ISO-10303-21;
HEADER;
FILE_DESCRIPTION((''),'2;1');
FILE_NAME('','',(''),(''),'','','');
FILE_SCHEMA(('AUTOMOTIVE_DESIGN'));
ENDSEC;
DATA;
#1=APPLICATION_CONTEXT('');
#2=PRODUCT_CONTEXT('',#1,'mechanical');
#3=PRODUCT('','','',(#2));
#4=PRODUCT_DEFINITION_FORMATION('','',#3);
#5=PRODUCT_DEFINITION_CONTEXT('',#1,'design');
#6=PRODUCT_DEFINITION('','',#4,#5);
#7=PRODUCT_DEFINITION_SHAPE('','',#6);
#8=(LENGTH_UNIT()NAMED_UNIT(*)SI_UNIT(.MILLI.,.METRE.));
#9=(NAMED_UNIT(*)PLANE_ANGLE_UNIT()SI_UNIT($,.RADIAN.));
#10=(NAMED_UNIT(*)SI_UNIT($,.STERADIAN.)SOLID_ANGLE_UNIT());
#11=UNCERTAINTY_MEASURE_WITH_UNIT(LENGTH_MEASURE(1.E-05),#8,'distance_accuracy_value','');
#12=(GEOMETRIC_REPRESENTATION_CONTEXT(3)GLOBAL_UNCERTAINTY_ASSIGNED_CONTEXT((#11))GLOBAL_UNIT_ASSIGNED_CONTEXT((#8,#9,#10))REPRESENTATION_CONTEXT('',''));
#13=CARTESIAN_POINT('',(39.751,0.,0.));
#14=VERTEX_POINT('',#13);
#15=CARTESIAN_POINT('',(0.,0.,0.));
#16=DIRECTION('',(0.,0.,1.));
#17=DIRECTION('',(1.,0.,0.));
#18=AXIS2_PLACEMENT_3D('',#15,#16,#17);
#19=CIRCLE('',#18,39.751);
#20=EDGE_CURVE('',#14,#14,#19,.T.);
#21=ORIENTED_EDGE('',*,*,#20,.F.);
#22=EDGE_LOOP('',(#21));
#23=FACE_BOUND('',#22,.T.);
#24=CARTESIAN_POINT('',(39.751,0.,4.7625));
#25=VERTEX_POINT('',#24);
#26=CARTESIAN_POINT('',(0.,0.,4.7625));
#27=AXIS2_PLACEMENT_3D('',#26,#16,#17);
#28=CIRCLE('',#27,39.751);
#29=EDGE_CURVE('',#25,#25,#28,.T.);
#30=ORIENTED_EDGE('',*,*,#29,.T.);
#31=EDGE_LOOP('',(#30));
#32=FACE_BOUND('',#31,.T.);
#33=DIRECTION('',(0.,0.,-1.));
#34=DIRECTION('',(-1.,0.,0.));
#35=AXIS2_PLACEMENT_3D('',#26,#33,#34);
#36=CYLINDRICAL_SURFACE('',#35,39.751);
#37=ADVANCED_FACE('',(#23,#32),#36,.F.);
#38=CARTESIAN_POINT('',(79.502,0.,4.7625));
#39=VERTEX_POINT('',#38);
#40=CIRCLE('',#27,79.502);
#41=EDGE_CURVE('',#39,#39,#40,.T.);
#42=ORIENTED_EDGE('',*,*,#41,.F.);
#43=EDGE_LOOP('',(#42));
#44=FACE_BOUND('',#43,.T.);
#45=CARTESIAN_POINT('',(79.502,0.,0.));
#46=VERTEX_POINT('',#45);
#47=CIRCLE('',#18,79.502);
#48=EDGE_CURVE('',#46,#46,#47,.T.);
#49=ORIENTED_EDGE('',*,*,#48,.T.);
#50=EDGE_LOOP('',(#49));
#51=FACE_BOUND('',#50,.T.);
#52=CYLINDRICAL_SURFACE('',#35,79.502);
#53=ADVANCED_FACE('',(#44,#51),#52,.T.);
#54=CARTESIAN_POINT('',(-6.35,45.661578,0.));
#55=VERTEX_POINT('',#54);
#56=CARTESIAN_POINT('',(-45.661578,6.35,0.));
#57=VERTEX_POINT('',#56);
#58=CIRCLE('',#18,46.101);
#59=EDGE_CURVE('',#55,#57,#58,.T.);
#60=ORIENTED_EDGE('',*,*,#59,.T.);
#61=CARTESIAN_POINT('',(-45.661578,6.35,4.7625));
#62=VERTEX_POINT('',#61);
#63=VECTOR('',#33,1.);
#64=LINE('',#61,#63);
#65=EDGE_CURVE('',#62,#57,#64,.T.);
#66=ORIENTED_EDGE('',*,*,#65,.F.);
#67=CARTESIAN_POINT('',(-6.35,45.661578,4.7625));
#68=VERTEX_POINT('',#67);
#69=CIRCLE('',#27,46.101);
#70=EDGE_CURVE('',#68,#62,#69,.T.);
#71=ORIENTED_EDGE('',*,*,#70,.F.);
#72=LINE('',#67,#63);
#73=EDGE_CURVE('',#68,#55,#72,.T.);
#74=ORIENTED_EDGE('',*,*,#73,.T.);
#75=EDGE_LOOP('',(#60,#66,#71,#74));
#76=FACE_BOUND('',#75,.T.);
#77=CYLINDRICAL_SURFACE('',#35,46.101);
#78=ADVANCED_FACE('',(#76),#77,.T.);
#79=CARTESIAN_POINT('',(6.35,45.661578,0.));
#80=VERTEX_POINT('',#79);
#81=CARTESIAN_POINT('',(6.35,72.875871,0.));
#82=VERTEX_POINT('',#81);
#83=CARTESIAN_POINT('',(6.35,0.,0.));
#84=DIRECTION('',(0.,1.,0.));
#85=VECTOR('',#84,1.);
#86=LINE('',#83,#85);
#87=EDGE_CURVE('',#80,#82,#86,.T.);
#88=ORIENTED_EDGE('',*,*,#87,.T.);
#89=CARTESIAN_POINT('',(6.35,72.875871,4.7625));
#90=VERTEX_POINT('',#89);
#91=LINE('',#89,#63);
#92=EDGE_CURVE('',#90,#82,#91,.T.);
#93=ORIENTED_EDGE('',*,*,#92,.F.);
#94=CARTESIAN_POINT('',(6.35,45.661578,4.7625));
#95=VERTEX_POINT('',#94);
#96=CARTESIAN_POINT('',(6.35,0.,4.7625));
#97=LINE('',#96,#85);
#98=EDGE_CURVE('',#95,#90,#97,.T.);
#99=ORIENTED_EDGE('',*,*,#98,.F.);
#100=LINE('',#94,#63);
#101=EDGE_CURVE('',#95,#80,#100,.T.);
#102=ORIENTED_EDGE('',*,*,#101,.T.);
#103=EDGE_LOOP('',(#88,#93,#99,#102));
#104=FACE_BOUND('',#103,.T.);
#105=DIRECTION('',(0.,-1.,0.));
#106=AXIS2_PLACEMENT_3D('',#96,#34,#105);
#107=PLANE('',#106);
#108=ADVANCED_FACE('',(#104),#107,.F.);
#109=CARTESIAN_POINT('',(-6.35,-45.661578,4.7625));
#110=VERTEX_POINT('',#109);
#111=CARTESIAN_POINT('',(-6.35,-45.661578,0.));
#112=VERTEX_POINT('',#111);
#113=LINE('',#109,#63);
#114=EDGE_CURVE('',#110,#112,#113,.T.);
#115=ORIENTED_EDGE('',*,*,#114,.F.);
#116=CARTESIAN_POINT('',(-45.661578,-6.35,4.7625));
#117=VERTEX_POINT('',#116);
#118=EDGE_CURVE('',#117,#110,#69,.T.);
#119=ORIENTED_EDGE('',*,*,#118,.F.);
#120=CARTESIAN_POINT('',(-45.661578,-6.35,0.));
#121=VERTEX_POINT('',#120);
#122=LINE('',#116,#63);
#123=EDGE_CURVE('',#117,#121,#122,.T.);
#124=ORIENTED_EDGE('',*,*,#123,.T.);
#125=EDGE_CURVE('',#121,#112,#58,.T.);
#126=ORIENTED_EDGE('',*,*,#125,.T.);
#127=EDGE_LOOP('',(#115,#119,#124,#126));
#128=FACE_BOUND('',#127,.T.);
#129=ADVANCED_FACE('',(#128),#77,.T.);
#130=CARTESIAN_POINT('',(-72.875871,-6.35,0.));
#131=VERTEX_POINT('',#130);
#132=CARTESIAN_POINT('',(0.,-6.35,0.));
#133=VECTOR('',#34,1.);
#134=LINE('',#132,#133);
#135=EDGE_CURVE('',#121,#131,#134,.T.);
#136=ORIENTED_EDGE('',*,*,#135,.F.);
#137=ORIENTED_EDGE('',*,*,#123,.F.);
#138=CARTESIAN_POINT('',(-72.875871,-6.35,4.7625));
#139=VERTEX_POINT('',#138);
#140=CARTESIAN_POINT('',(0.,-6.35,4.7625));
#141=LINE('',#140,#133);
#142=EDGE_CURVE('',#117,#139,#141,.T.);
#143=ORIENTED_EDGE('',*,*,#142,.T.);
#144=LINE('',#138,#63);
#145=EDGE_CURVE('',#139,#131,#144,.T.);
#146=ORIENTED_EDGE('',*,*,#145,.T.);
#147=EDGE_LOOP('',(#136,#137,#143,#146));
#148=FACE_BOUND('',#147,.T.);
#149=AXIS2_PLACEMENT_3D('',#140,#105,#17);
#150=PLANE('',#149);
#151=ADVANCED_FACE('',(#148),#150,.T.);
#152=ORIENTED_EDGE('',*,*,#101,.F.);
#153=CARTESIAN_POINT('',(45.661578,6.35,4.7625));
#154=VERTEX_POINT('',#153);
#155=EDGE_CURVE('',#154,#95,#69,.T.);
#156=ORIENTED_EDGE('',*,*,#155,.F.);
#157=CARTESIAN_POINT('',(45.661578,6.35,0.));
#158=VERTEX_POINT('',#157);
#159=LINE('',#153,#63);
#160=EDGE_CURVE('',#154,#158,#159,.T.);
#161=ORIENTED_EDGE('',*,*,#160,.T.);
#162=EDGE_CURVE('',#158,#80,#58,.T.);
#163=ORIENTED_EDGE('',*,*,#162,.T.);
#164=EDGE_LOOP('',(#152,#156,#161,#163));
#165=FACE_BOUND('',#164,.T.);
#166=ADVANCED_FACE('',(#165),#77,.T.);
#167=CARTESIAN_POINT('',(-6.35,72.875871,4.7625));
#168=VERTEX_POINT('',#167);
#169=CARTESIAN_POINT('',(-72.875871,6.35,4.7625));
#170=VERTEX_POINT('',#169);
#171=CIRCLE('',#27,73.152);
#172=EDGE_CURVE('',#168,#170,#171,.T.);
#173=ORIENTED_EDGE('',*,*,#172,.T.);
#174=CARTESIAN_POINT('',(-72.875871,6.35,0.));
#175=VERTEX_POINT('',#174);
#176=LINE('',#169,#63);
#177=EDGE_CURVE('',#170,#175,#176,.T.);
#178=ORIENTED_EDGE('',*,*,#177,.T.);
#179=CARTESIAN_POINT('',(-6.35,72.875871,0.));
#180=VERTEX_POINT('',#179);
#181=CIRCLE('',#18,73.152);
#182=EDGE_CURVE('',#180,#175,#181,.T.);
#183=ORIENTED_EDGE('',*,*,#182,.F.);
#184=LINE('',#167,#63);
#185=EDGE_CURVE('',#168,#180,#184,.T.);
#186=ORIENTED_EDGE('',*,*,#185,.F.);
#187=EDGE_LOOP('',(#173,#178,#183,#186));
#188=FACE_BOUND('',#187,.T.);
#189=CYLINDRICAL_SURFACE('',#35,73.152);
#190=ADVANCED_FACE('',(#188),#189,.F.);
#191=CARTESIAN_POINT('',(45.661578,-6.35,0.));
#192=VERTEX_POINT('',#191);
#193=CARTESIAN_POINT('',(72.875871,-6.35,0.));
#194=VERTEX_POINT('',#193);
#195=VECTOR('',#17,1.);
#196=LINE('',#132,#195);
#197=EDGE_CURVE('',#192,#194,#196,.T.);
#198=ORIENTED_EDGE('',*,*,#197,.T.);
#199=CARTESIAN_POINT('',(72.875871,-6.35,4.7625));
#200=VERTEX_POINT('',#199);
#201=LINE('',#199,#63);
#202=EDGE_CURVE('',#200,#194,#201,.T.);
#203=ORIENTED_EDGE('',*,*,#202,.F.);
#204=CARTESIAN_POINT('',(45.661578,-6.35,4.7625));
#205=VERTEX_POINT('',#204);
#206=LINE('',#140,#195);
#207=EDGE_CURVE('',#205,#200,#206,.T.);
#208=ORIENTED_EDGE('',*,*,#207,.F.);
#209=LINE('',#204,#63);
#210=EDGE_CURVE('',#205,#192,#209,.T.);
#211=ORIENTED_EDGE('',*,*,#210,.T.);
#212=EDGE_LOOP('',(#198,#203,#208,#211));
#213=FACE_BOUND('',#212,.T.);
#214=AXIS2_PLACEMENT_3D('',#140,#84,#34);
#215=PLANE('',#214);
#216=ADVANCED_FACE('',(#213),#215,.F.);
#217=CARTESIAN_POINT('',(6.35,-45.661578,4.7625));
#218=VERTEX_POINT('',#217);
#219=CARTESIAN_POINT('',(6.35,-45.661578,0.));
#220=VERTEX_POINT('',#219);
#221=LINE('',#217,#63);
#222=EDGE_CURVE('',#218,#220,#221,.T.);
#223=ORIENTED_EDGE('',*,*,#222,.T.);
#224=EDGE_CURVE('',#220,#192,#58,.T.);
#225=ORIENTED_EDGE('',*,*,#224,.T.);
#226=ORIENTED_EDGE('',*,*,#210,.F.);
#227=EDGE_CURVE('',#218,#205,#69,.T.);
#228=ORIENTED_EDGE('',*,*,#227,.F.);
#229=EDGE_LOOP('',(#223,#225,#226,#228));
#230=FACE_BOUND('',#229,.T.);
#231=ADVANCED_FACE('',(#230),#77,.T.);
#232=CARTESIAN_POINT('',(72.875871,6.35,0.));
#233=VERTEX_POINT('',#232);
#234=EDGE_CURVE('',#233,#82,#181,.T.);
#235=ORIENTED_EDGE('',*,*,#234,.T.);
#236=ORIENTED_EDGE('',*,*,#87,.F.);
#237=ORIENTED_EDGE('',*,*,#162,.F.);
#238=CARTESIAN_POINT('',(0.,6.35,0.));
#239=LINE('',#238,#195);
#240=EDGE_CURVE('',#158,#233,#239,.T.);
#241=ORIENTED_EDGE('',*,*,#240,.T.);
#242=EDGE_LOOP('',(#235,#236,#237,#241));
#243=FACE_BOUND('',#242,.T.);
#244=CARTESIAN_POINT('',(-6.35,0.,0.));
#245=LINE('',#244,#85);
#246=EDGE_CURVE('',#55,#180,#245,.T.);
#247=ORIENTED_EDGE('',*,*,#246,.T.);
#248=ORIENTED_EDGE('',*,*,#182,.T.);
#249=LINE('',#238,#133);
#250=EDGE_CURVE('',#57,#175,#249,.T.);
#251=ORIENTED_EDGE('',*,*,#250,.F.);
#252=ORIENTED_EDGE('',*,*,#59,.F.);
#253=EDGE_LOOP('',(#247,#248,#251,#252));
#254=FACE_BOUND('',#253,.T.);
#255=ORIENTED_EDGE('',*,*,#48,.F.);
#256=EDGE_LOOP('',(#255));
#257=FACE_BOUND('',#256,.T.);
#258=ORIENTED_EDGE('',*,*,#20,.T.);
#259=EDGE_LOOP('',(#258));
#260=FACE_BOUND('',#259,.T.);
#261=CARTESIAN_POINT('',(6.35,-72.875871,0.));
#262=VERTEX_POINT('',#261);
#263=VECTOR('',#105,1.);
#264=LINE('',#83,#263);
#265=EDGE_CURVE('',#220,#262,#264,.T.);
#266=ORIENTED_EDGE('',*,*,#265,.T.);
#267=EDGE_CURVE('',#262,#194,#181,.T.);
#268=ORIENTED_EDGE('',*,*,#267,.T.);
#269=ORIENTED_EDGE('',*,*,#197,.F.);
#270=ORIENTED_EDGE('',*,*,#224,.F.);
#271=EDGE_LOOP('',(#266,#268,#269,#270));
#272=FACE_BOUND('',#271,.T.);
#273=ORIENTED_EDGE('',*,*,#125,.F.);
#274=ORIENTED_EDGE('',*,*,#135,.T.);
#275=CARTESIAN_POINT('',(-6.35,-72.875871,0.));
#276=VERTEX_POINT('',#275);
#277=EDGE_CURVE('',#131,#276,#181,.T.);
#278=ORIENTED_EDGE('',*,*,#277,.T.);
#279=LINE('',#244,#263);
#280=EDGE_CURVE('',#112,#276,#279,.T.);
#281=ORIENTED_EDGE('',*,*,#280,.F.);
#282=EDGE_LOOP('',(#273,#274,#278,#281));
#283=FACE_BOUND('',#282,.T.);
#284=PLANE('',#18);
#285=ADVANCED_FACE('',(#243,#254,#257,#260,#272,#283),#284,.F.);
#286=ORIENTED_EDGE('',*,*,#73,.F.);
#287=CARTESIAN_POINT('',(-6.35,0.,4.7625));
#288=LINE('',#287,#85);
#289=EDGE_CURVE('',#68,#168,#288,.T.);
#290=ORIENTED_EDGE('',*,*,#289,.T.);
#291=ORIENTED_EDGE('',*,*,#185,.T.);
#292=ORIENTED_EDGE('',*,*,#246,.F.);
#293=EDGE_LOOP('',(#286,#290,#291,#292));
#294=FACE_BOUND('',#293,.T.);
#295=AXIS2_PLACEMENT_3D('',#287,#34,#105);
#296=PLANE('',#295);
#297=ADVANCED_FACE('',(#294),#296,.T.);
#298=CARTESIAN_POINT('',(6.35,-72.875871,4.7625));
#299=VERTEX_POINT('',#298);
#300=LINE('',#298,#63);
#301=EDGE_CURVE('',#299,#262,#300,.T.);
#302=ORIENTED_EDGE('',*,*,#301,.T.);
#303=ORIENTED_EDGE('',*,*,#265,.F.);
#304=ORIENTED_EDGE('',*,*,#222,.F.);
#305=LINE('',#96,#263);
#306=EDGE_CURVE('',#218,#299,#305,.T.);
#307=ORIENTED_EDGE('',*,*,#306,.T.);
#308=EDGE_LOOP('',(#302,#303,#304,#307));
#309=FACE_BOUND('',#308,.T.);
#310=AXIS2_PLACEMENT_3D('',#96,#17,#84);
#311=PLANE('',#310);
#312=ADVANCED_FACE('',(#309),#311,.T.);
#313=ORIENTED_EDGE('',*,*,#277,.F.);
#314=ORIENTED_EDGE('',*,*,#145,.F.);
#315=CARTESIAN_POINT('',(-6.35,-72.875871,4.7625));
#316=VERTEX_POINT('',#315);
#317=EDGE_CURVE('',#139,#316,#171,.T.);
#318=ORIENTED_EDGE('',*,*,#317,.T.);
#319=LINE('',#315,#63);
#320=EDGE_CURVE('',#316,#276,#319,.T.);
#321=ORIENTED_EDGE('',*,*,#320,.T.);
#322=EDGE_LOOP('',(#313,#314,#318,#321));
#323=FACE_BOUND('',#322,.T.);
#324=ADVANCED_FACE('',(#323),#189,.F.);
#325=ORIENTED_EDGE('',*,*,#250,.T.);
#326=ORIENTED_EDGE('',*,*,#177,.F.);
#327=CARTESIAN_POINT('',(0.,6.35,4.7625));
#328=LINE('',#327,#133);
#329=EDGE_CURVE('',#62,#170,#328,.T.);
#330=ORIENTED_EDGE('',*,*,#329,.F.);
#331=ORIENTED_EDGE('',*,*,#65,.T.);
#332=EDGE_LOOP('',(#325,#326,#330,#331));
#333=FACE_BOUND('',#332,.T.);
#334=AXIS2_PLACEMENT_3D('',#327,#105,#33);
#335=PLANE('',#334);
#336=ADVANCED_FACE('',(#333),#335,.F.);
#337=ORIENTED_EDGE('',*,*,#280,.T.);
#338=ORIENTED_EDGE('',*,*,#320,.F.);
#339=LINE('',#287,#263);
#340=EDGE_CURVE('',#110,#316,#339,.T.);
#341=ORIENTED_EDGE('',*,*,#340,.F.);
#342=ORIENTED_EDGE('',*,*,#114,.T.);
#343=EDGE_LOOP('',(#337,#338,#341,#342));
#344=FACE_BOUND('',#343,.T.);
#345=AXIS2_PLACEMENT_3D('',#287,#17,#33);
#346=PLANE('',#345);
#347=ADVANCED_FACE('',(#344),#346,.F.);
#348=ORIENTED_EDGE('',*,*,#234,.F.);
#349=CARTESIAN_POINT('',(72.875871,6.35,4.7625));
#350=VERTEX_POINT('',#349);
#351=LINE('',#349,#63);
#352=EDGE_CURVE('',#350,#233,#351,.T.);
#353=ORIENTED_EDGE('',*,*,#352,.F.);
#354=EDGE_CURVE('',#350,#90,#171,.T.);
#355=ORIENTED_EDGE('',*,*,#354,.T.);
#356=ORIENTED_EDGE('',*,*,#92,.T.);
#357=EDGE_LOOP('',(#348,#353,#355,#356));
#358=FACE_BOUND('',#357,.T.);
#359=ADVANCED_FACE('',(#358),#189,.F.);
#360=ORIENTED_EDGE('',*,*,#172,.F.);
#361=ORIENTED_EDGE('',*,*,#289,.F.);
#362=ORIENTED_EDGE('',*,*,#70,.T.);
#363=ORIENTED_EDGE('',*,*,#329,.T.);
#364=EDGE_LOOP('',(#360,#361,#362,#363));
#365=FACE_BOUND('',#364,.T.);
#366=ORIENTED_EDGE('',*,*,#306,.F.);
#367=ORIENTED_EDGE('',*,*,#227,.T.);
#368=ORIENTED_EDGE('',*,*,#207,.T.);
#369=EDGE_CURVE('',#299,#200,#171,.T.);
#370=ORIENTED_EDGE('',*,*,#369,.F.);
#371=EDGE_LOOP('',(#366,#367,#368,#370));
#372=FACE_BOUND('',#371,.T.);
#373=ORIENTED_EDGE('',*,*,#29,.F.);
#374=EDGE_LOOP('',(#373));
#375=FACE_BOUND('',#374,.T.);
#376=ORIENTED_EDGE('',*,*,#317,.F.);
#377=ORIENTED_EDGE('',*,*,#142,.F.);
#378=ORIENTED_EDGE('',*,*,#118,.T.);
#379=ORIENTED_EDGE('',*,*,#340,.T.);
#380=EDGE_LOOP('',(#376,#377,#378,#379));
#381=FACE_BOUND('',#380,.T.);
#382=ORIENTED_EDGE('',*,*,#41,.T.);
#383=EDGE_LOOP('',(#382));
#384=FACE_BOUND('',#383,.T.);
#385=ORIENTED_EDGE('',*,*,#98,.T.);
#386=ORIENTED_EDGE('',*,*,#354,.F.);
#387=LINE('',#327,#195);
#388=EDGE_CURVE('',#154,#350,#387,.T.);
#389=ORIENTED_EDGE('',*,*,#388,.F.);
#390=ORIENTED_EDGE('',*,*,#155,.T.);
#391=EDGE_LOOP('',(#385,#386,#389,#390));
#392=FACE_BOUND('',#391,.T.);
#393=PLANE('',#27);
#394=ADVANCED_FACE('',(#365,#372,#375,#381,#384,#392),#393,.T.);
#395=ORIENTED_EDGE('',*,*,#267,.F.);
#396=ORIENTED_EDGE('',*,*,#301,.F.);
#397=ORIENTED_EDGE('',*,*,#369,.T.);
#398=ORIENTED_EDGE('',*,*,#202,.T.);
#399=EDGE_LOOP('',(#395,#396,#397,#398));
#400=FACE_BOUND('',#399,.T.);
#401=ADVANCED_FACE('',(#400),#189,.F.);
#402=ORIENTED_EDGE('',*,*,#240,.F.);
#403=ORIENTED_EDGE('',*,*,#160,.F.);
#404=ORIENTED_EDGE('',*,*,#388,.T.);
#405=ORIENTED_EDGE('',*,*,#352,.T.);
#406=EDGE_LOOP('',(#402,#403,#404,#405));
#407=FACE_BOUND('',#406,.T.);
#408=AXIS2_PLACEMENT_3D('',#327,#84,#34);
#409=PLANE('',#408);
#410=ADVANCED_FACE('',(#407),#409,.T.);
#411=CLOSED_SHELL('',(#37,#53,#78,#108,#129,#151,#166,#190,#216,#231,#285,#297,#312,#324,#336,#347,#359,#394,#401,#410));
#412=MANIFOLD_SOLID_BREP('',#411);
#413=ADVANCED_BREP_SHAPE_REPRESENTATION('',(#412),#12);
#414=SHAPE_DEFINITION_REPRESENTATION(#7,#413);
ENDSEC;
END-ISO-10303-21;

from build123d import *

# Parameters (mm, degrees)
SKETCH1_R           = 79.502
SKETCH1_R_2         = 39.751
BOSS_EXTRUDE1_DEPTH = 4.7625


with BuildPart() as part:
    # Sketch1 → Boss-Extrude1 (new body)
    with BuildSketch(Plane.XY):
        Circle(SKETCH1_R)
        with BuildLine():
            Line((-72.875871206, -6.35), (-45.661577951, -6.35))
            ThreePointArc((-45.661577951, -6.35), (-32.598329719, -32.598329719), (-6.35, -45.661577951))
            Line((-6.35, -45.661577951), (-6.35, -72.875871206))
            ThreePointArc((-6.35, -72.875871206), (-51.726275257, -51.726275257), (-72.875871206, -6.35))
        make_face(mode=Mode.SUBTRACT)
        with BuildLine():
            Line((45.661577951, -6.35), (72.875871206, -6.35))
            ThreePointArc((72.875871206, -6.35), (51.726275257, -51.726275257), (6.35, -72.875871206))
            Line((6.35, -72.875871206), (6.35, -45.661577951))
            ThreePointArc((6.35, -45.661577951), (32.598329719, -32.598329719), (45.661577951, -6.35))
        make_face(mode=Mode.SUBTRACT)
        with BuildLine():
            Line((-6.35, 72.875871206), (-6.35, 45.661577951))
            ThreePointArc((-6.35, 45.661577951), (-32.598329719, 32.598329719), (-45.661577951, 6.35))
            Line((-45.661577951, 6.35), (-72.875871206, 6.35))
            ThreePointArc((-72.875871206, 6.35), (-51.726275257, 51.726275257), (-6.35, 72.875871206))
        make_face(mode=Mode.SUBTRACT)
        Circle(SKETCH1_R_2, mode=Mode.SUBTRACT)
        with BuildLine():
            ThreePointArc((45.661577951, 6.35), (32.598329719, 32.598329719), (6.35, 45.661577951))
            Line((6.35, 45.661577951), (6.35, 72.875871206))
            ThreePointArc((6.35, 72.875871206), (51.726275257, 51.726275257), (72.875871206, 6.35))
            Line((72.875871206, 6.35), (45.661577951, 6.35))
        make_face(mode=Mode.SUBTRACT)
    extrude(amount=BOSS_EXTRUDE1_DEPTH)


solid = part.part
